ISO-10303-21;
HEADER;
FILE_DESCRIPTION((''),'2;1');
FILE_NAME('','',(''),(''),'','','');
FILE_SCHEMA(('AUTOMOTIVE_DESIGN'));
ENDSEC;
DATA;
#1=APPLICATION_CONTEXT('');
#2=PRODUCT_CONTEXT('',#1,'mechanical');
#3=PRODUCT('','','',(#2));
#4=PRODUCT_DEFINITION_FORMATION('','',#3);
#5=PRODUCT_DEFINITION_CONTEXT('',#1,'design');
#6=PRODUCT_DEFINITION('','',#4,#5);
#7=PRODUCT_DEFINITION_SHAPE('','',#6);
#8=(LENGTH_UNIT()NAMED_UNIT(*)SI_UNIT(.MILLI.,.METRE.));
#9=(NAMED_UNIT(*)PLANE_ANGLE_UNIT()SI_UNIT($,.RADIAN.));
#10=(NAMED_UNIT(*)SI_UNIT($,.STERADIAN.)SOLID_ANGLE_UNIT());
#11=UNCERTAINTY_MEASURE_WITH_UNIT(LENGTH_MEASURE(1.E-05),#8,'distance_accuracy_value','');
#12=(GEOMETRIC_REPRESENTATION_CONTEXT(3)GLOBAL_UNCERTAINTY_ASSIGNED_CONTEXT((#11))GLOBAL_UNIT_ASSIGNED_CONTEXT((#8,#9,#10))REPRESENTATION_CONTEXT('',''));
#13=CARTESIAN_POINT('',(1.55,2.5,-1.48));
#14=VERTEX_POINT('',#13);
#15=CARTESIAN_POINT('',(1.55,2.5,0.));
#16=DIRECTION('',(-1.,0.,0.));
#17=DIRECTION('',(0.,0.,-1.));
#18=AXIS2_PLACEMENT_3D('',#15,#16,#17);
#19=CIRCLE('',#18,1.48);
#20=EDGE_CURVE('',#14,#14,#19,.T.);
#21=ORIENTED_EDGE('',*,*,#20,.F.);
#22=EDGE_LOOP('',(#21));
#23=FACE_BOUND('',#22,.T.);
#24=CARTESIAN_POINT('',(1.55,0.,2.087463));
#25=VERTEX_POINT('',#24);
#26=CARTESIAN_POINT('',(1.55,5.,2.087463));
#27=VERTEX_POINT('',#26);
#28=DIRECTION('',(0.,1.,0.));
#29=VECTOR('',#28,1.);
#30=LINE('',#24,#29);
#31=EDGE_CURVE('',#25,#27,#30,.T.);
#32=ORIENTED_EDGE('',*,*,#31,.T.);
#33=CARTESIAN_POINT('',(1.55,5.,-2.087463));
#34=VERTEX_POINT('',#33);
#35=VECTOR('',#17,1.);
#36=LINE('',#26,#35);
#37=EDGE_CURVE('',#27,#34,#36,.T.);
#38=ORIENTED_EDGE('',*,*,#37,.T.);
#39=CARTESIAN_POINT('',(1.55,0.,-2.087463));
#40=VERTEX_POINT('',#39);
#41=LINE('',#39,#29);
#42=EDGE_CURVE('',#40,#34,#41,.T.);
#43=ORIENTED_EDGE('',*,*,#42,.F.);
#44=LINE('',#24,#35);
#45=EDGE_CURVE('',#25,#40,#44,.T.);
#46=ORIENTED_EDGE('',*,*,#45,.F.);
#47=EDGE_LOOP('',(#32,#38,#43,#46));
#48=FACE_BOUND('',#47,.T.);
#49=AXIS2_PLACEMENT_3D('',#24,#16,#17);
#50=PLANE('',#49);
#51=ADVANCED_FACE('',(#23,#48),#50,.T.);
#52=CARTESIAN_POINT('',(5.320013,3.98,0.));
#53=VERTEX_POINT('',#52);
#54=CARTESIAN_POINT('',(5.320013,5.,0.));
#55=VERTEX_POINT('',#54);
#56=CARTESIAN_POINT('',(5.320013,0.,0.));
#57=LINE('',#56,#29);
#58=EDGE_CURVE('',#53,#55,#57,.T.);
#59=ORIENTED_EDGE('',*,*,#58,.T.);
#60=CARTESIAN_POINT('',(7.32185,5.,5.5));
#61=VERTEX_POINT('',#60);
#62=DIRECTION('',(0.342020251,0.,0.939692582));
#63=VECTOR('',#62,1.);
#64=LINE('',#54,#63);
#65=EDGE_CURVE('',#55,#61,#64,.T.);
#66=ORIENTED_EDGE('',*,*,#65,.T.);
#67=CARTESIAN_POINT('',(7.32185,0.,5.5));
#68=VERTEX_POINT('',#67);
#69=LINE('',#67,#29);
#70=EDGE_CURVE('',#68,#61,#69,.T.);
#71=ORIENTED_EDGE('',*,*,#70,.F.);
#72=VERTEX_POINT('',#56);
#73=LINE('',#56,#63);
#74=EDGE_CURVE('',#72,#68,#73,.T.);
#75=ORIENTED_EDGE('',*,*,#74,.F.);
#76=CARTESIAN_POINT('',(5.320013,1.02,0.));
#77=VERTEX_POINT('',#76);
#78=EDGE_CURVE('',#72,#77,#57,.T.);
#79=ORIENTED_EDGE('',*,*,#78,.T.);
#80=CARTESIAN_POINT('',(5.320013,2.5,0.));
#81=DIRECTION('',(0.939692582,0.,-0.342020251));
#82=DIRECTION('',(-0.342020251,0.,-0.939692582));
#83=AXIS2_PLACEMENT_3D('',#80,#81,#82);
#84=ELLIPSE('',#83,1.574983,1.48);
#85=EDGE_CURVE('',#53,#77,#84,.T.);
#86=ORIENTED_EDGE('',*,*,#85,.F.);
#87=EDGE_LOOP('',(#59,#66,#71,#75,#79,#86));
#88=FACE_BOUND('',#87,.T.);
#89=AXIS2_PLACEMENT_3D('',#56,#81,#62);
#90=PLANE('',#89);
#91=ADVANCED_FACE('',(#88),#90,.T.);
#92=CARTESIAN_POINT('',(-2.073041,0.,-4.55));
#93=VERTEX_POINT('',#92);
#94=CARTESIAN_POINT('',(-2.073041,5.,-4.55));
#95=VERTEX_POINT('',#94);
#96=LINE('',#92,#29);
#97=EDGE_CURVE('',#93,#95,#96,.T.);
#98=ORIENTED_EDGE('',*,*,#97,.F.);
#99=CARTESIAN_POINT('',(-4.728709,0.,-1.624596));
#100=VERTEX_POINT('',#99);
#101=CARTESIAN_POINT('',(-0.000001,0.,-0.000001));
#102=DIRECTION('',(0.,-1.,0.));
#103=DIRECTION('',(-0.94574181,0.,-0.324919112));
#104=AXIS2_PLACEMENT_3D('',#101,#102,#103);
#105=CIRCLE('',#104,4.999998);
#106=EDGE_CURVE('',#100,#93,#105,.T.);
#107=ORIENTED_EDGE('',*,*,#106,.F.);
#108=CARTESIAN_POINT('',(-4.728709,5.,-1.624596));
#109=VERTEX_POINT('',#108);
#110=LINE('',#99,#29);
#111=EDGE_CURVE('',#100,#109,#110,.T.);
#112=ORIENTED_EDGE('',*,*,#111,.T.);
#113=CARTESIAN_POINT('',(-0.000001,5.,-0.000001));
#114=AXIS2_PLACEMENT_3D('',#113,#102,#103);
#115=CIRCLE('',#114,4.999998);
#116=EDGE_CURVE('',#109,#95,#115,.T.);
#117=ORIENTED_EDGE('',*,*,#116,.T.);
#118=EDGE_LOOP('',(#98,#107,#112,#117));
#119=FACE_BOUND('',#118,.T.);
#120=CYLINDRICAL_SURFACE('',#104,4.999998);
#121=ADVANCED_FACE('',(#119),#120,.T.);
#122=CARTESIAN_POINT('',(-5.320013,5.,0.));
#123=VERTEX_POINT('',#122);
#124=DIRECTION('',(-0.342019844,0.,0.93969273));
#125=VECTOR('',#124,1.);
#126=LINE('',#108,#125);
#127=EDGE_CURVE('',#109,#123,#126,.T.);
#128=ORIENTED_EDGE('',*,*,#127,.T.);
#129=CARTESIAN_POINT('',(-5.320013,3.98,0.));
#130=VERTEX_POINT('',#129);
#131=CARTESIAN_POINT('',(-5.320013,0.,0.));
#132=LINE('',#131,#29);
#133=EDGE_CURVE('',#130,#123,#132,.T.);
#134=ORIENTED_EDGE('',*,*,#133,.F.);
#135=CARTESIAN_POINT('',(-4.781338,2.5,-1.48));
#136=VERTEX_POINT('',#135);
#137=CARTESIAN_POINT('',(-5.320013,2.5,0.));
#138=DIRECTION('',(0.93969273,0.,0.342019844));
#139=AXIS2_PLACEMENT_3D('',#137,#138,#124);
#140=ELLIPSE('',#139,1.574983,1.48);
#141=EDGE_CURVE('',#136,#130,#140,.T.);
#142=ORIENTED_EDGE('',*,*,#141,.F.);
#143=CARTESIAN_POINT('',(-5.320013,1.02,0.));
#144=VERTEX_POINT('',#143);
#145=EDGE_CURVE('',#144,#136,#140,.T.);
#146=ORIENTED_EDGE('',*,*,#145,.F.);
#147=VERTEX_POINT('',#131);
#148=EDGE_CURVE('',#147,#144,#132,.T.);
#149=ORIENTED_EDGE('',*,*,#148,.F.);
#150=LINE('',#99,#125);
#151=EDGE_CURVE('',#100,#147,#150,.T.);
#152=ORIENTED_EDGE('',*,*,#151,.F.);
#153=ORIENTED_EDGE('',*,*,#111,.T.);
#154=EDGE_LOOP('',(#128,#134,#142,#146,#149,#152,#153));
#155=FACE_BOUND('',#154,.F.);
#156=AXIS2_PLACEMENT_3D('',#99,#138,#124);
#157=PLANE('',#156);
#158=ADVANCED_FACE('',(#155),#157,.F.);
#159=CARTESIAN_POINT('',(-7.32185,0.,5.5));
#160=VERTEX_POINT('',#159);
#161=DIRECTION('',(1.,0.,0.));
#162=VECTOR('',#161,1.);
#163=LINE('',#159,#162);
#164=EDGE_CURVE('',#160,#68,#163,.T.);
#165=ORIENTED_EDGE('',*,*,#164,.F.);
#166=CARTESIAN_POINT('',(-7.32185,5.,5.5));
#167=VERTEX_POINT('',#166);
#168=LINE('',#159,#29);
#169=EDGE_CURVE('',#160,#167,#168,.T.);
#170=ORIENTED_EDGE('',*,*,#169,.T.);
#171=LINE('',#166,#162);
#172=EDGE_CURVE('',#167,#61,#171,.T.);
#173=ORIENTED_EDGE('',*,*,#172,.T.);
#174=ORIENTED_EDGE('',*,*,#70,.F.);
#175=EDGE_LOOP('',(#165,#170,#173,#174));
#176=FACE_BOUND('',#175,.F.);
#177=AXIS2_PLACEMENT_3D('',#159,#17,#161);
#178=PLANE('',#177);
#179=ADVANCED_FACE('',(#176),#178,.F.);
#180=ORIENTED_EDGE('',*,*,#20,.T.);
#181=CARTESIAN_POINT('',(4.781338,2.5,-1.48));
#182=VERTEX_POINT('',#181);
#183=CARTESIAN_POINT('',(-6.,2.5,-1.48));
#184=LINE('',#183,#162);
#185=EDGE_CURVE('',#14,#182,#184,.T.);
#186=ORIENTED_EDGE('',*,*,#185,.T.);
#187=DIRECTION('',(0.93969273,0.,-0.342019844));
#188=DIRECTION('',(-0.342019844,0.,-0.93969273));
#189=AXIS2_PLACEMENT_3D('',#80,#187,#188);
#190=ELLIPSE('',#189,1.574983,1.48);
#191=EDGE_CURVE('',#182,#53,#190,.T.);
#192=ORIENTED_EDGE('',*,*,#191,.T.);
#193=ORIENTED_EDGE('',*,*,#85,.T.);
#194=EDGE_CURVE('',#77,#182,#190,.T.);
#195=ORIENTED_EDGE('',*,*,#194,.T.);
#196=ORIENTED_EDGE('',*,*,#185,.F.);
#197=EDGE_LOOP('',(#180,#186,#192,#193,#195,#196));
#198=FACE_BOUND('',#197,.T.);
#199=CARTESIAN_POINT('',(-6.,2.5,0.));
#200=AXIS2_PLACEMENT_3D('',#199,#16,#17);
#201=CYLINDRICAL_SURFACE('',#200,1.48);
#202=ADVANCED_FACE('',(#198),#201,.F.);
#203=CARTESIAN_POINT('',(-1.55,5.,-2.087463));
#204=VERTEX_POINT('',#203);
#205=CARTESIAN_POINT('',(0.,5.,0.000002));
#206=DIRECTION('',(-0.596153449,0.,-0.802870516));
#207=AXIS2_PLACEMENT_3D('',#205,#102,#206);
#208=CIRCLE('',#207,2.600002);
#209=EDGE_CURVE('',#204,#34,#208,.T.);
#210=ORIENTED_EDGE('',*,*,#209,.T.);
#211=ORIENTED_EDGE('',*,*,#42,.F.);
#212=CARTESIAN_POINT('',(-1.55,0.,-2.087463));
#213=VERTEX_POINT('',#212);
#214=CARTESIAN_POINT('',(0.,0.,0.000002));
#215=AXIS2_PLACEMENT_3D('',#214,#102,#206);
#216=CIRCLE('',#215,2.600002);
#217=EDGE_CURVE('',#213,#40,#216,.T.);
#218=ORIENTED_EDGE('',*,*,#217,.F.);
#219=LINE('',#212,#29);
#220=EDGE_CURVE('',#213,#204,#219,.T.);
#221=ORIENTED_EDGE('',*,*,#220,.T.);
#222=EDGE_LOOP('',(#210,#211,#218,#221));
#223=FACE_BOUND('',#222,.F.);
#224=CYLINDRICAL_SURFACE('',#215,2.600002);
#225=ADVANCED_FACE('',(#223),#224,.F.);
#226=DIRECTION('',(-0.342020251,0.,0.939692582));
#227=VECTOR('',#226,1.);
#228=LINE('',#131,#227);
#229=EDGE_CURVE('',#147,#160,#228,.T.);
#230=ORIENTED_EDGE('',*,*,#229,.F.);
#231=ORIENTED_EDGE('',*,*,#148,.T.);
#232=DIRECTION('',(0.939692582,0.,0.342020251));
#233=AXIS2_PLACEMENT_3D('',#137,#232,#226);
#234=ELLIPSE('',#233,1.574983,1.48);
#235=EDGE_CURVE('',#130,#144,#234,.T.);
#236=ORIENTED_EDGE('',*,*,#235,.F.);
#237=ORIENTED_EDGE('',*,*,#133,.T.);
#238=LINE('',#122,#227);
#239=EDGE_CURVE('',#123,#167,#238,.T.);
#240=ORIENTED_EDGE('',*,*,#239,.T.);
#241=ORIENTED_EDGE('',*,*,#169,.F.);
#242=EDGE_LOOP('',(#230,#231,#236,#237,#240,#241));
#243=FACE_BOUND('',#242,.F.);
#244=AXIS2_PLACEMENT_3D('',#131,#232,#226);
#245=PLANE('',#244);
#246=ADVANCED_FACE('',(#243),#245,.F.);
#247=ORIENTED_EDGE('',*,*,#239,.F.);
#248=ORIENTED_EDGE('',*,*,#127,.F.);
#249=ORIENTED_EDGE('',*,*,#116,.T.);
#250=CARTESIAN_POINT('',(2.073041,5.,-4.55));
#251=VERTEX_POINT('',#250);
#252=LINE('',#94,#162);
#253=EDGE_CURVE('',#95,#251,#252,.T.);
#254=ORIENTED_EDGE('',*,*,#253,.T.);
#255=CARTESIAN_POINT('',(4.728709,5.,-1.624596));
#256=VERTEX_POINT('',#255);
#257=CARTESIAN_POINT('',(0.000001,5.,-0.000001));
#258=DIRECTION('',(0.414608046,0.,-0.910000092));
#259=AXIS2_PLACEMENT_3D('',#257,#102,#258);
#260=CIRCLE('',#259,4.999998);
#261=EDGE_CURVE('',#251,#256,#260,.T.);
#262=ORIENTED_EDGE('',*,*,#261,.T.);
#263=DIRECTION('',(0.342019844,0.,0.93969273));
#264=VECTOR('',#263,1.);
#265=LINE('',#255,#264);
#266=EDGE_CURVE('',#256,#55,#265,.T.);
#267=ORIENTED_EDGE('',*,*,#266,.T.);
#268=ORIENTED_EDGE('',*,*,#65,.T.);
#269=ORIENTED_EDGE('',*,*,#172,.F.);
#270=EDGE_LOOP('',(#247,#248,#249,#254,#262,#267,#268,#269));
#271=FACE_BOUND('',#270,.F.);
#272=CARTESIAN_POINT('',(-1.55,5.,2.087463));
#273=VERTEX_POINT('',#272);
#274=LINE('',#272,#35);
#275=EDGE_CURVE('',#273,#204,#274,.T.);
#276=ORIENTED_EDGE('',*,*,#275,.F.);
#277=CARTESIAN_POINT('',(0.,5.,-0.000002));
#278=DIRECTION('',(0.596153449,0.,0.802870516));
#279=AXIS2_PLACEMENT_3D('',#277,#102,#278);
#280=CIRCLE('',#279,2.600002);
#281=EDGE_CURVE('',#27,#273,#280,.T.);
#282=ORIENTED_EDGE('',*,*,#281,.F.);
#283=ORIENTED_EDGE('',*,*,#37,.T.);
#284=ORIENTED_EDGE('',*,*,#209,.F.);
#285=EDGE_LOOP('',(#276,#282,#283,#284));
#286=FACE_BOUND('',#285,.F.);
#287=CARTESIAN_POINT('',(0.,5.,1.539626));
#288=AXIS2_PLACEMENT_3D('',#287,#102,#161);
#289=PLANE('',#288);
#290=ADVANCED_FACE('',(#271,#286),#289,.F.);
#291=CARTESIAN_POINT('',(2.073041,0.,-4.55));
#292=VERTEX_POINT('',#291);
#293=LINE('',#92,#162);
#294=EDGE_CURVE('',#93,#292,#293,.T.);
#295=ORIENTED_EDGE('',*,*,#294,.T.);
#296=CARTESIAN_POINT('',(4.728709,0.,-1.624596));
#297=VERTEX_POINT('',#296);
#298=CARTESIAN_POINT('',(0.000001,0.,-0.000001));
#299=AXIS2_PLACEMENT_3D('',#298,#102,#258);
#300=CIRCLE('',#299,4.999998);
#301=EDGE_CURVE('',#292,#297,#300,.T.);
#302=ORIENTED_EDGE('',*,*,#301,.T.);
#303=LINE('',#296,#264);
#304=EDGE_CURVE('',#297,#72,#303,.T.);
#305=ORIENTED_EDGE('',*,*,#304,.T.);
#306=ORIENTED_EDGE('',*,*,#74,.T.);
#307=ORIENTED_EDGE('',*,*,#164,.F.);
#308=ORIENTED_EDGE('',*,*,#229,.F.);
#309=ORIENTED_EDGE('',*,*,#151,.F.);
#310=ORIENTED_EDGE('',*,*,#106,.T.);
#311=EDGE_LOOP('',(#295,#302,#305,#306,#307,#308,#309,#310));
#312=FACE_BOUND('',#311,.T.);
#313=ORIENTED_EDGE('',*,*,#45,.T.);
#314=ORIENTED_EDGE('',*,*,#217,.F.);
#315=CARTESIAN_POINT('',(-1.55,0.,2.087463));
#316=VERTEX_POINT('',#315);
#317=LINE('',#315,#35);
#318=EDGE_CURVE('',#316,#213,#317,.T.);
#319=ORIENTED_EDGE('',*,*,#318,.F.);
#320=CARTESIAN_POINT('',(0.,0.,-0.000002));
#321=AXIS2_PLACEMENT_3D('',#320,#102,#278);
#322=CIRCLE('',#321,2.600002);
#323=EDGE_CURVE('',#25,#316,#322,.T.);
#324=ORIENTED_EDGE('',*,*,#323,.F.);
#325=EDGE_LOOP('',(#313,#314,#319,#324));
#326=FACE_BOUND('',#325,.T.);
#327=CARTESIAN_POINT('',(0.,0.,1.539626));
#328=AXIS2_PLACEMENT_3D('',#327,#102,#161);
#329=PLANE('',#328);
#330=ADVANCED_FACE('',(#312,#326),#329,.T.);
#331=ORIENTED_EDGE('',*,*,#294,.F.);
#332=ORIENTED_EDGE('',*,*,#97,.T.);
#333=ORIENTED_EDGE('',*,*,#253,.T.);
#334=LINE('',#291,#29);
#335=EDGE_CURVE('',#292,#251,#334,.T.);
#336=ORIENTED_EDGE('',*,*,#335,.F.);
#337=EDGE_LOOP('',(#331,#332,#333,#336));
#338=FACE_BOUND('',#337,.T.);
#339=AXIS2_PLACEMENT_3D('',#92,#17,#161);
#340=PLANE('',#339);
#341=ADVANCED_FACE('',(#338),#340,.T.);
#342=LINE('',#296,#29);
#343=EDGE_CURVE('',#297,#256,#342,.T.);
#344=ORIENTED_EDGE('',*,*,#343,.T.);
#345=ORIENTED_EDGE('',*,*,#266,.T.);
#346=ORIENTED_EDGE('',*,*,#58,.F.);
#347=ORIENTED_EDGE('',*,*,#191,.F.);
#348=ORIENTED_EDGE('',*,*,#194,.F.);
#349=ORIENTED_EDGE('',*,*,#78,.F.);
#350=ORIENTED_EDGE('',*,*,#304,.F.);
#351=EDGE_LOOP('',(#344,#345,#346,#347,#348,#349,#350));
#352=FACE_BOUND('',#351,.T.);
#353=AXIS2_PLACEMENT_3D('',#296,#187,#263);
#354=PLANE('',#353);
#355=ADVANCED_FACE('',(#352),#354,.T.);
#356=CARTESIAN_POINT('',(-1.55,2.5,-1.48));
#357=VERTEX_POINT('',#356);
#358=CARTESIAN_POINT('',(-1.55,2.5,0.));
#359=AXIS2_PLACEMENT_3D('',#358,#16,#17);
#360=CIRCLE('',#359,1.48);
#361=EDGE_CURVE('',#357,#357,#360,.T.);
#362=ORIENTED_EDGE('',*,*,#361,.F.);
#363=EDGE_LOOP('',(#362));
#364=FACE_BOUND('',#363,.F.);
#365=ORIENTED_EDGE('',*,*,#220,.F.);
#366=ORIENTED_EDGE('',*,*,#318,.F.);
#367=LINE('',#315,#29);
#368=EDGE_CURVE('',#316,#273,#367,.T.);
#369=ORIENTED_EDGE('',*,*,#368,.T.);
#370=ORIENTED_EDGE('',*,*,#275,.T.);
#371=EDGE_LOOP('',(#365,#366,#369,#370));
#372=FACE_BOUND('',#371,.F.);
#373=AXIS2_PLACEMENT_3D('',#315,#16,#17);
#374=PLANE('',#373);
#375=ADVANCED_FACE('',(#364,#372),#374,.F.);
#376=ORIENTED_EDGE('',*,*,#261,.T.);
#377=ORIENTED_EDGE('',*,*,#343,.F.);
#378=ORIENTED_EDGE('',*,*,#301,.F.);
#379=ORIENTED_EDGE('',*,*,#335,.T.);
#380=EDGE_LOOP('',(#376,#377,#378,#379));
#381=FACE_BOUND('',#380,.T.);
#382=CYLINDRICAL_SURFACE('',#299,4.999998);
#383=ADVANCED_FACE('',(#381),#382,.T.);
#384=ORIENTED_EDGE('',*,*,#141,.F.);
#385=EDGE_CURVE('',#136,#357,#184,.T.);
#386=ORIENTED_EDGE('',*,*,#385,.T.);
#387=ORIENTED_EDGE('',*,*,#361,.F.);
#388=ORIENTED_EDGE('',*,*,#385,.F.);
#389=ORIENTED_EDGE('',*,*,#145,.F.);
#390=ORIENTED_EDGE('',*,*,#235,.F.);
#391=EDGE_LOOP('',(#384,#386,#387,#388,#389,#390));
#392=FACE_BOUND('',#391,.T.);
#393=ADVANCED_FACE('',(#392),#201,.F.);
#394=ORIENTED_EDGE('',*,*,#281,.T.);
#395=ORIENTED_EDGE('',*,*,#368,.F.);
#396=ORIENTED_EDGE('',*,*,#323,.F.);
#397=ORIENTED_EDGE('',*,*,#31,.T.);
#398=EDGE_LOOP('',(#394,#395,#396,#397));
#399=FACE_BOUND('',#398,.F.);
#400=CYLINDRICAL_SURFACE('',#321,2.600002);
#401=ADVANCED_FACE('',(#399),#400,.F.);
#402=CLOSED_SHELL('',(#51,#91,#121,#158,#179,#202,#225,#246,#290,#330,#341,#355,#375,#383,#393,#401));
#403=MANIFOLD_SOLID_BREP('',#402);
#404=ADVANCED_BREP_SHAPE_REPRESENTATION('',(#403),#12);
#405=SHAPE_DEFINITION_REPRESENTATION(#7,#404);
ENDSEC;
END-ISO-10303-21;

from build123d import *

# Parameters (mm, degrees)
CYLINDER012_R     = 1.48
CYLINDER012_DEPTH = 12
EXTRUDE008_DEPTH  = 5
EXTRUDE_DEPTH     = 5


with BuildPart() as motorcoupler_couplershaft:
    # Cylinder012 → Cylinder012 (new body)
    with BuildSketch(Plane(origin=(-6, 2.5, 0), x_dir=(0, 0, -1), z_dir=(1, 0, 0))):
        Circle(CYLINDER012_R)
    extrude(amount=CYLINDER012_DEPTH)


with BuildPart() as motorcoupler_motorshaft:
    # Sketch008 → Extrude008 (new body)
    with BuildSketch(Plane(origin=(0, 0, 0), x_dir=(0, 0, -1), z_dir=(0, -1, 0))):
        with BuildLine():
            ThreePointArc((2.087463, -1.55), (2.6, 0), (2.087463, 1.55))
            Line((-2.087463, 1.55), (2.087463, 1.55))
            ThreePointArc((-2.087463, 1.55), (-2.6, 0), (-2.087463, -1.55))
            Line((-2.087463, -1.55), (2.087463, -1.55))
        make_face()
    extrude(amount=-EXTRUDE008_DEPTH)


with BuildPart() as motorcoupler:
    # Sketch007 → Extrude (new body)
    with BuildSketch(Plane.XZ):
        with BuildLine():
            Line((4.728709, -1.624596), (5.320013, 0))
            Line((5.320013, 0), (7.32185, 5.5))
            Line((-7.32185, 5.5), (7.32185, 5.5))
            Line((-5.320013, 0), (-7.32185, 5.5))
            Line((-4.728709, -1.624596), (-5.320013, 0))
            ThreePointArc((-4.728709, -1.624596), (-3.702087, -3.360737), (-2.073041, -4.55))
            Line((-2.073041, -4.55), (2.073041, -4.55))
            ThreePointArc((2.073041, -4.55), (3.702087, -3.360737), (4.728709, -1.624596))
        make_face()
    extrude(amount=-EXTRUDE_DEPTH)

    # Cut017: cut motorCoupler_motorShaft
    add(motorcoupler_motorshaft.part, mode=Mode.SUBTRACT)

    # Cut018: cut motorCoupler_couplerShaft
    add(motorcoupler_couplershaft.part, mode=Mode.SUBTRACT)


solid = motorcoupler.part
